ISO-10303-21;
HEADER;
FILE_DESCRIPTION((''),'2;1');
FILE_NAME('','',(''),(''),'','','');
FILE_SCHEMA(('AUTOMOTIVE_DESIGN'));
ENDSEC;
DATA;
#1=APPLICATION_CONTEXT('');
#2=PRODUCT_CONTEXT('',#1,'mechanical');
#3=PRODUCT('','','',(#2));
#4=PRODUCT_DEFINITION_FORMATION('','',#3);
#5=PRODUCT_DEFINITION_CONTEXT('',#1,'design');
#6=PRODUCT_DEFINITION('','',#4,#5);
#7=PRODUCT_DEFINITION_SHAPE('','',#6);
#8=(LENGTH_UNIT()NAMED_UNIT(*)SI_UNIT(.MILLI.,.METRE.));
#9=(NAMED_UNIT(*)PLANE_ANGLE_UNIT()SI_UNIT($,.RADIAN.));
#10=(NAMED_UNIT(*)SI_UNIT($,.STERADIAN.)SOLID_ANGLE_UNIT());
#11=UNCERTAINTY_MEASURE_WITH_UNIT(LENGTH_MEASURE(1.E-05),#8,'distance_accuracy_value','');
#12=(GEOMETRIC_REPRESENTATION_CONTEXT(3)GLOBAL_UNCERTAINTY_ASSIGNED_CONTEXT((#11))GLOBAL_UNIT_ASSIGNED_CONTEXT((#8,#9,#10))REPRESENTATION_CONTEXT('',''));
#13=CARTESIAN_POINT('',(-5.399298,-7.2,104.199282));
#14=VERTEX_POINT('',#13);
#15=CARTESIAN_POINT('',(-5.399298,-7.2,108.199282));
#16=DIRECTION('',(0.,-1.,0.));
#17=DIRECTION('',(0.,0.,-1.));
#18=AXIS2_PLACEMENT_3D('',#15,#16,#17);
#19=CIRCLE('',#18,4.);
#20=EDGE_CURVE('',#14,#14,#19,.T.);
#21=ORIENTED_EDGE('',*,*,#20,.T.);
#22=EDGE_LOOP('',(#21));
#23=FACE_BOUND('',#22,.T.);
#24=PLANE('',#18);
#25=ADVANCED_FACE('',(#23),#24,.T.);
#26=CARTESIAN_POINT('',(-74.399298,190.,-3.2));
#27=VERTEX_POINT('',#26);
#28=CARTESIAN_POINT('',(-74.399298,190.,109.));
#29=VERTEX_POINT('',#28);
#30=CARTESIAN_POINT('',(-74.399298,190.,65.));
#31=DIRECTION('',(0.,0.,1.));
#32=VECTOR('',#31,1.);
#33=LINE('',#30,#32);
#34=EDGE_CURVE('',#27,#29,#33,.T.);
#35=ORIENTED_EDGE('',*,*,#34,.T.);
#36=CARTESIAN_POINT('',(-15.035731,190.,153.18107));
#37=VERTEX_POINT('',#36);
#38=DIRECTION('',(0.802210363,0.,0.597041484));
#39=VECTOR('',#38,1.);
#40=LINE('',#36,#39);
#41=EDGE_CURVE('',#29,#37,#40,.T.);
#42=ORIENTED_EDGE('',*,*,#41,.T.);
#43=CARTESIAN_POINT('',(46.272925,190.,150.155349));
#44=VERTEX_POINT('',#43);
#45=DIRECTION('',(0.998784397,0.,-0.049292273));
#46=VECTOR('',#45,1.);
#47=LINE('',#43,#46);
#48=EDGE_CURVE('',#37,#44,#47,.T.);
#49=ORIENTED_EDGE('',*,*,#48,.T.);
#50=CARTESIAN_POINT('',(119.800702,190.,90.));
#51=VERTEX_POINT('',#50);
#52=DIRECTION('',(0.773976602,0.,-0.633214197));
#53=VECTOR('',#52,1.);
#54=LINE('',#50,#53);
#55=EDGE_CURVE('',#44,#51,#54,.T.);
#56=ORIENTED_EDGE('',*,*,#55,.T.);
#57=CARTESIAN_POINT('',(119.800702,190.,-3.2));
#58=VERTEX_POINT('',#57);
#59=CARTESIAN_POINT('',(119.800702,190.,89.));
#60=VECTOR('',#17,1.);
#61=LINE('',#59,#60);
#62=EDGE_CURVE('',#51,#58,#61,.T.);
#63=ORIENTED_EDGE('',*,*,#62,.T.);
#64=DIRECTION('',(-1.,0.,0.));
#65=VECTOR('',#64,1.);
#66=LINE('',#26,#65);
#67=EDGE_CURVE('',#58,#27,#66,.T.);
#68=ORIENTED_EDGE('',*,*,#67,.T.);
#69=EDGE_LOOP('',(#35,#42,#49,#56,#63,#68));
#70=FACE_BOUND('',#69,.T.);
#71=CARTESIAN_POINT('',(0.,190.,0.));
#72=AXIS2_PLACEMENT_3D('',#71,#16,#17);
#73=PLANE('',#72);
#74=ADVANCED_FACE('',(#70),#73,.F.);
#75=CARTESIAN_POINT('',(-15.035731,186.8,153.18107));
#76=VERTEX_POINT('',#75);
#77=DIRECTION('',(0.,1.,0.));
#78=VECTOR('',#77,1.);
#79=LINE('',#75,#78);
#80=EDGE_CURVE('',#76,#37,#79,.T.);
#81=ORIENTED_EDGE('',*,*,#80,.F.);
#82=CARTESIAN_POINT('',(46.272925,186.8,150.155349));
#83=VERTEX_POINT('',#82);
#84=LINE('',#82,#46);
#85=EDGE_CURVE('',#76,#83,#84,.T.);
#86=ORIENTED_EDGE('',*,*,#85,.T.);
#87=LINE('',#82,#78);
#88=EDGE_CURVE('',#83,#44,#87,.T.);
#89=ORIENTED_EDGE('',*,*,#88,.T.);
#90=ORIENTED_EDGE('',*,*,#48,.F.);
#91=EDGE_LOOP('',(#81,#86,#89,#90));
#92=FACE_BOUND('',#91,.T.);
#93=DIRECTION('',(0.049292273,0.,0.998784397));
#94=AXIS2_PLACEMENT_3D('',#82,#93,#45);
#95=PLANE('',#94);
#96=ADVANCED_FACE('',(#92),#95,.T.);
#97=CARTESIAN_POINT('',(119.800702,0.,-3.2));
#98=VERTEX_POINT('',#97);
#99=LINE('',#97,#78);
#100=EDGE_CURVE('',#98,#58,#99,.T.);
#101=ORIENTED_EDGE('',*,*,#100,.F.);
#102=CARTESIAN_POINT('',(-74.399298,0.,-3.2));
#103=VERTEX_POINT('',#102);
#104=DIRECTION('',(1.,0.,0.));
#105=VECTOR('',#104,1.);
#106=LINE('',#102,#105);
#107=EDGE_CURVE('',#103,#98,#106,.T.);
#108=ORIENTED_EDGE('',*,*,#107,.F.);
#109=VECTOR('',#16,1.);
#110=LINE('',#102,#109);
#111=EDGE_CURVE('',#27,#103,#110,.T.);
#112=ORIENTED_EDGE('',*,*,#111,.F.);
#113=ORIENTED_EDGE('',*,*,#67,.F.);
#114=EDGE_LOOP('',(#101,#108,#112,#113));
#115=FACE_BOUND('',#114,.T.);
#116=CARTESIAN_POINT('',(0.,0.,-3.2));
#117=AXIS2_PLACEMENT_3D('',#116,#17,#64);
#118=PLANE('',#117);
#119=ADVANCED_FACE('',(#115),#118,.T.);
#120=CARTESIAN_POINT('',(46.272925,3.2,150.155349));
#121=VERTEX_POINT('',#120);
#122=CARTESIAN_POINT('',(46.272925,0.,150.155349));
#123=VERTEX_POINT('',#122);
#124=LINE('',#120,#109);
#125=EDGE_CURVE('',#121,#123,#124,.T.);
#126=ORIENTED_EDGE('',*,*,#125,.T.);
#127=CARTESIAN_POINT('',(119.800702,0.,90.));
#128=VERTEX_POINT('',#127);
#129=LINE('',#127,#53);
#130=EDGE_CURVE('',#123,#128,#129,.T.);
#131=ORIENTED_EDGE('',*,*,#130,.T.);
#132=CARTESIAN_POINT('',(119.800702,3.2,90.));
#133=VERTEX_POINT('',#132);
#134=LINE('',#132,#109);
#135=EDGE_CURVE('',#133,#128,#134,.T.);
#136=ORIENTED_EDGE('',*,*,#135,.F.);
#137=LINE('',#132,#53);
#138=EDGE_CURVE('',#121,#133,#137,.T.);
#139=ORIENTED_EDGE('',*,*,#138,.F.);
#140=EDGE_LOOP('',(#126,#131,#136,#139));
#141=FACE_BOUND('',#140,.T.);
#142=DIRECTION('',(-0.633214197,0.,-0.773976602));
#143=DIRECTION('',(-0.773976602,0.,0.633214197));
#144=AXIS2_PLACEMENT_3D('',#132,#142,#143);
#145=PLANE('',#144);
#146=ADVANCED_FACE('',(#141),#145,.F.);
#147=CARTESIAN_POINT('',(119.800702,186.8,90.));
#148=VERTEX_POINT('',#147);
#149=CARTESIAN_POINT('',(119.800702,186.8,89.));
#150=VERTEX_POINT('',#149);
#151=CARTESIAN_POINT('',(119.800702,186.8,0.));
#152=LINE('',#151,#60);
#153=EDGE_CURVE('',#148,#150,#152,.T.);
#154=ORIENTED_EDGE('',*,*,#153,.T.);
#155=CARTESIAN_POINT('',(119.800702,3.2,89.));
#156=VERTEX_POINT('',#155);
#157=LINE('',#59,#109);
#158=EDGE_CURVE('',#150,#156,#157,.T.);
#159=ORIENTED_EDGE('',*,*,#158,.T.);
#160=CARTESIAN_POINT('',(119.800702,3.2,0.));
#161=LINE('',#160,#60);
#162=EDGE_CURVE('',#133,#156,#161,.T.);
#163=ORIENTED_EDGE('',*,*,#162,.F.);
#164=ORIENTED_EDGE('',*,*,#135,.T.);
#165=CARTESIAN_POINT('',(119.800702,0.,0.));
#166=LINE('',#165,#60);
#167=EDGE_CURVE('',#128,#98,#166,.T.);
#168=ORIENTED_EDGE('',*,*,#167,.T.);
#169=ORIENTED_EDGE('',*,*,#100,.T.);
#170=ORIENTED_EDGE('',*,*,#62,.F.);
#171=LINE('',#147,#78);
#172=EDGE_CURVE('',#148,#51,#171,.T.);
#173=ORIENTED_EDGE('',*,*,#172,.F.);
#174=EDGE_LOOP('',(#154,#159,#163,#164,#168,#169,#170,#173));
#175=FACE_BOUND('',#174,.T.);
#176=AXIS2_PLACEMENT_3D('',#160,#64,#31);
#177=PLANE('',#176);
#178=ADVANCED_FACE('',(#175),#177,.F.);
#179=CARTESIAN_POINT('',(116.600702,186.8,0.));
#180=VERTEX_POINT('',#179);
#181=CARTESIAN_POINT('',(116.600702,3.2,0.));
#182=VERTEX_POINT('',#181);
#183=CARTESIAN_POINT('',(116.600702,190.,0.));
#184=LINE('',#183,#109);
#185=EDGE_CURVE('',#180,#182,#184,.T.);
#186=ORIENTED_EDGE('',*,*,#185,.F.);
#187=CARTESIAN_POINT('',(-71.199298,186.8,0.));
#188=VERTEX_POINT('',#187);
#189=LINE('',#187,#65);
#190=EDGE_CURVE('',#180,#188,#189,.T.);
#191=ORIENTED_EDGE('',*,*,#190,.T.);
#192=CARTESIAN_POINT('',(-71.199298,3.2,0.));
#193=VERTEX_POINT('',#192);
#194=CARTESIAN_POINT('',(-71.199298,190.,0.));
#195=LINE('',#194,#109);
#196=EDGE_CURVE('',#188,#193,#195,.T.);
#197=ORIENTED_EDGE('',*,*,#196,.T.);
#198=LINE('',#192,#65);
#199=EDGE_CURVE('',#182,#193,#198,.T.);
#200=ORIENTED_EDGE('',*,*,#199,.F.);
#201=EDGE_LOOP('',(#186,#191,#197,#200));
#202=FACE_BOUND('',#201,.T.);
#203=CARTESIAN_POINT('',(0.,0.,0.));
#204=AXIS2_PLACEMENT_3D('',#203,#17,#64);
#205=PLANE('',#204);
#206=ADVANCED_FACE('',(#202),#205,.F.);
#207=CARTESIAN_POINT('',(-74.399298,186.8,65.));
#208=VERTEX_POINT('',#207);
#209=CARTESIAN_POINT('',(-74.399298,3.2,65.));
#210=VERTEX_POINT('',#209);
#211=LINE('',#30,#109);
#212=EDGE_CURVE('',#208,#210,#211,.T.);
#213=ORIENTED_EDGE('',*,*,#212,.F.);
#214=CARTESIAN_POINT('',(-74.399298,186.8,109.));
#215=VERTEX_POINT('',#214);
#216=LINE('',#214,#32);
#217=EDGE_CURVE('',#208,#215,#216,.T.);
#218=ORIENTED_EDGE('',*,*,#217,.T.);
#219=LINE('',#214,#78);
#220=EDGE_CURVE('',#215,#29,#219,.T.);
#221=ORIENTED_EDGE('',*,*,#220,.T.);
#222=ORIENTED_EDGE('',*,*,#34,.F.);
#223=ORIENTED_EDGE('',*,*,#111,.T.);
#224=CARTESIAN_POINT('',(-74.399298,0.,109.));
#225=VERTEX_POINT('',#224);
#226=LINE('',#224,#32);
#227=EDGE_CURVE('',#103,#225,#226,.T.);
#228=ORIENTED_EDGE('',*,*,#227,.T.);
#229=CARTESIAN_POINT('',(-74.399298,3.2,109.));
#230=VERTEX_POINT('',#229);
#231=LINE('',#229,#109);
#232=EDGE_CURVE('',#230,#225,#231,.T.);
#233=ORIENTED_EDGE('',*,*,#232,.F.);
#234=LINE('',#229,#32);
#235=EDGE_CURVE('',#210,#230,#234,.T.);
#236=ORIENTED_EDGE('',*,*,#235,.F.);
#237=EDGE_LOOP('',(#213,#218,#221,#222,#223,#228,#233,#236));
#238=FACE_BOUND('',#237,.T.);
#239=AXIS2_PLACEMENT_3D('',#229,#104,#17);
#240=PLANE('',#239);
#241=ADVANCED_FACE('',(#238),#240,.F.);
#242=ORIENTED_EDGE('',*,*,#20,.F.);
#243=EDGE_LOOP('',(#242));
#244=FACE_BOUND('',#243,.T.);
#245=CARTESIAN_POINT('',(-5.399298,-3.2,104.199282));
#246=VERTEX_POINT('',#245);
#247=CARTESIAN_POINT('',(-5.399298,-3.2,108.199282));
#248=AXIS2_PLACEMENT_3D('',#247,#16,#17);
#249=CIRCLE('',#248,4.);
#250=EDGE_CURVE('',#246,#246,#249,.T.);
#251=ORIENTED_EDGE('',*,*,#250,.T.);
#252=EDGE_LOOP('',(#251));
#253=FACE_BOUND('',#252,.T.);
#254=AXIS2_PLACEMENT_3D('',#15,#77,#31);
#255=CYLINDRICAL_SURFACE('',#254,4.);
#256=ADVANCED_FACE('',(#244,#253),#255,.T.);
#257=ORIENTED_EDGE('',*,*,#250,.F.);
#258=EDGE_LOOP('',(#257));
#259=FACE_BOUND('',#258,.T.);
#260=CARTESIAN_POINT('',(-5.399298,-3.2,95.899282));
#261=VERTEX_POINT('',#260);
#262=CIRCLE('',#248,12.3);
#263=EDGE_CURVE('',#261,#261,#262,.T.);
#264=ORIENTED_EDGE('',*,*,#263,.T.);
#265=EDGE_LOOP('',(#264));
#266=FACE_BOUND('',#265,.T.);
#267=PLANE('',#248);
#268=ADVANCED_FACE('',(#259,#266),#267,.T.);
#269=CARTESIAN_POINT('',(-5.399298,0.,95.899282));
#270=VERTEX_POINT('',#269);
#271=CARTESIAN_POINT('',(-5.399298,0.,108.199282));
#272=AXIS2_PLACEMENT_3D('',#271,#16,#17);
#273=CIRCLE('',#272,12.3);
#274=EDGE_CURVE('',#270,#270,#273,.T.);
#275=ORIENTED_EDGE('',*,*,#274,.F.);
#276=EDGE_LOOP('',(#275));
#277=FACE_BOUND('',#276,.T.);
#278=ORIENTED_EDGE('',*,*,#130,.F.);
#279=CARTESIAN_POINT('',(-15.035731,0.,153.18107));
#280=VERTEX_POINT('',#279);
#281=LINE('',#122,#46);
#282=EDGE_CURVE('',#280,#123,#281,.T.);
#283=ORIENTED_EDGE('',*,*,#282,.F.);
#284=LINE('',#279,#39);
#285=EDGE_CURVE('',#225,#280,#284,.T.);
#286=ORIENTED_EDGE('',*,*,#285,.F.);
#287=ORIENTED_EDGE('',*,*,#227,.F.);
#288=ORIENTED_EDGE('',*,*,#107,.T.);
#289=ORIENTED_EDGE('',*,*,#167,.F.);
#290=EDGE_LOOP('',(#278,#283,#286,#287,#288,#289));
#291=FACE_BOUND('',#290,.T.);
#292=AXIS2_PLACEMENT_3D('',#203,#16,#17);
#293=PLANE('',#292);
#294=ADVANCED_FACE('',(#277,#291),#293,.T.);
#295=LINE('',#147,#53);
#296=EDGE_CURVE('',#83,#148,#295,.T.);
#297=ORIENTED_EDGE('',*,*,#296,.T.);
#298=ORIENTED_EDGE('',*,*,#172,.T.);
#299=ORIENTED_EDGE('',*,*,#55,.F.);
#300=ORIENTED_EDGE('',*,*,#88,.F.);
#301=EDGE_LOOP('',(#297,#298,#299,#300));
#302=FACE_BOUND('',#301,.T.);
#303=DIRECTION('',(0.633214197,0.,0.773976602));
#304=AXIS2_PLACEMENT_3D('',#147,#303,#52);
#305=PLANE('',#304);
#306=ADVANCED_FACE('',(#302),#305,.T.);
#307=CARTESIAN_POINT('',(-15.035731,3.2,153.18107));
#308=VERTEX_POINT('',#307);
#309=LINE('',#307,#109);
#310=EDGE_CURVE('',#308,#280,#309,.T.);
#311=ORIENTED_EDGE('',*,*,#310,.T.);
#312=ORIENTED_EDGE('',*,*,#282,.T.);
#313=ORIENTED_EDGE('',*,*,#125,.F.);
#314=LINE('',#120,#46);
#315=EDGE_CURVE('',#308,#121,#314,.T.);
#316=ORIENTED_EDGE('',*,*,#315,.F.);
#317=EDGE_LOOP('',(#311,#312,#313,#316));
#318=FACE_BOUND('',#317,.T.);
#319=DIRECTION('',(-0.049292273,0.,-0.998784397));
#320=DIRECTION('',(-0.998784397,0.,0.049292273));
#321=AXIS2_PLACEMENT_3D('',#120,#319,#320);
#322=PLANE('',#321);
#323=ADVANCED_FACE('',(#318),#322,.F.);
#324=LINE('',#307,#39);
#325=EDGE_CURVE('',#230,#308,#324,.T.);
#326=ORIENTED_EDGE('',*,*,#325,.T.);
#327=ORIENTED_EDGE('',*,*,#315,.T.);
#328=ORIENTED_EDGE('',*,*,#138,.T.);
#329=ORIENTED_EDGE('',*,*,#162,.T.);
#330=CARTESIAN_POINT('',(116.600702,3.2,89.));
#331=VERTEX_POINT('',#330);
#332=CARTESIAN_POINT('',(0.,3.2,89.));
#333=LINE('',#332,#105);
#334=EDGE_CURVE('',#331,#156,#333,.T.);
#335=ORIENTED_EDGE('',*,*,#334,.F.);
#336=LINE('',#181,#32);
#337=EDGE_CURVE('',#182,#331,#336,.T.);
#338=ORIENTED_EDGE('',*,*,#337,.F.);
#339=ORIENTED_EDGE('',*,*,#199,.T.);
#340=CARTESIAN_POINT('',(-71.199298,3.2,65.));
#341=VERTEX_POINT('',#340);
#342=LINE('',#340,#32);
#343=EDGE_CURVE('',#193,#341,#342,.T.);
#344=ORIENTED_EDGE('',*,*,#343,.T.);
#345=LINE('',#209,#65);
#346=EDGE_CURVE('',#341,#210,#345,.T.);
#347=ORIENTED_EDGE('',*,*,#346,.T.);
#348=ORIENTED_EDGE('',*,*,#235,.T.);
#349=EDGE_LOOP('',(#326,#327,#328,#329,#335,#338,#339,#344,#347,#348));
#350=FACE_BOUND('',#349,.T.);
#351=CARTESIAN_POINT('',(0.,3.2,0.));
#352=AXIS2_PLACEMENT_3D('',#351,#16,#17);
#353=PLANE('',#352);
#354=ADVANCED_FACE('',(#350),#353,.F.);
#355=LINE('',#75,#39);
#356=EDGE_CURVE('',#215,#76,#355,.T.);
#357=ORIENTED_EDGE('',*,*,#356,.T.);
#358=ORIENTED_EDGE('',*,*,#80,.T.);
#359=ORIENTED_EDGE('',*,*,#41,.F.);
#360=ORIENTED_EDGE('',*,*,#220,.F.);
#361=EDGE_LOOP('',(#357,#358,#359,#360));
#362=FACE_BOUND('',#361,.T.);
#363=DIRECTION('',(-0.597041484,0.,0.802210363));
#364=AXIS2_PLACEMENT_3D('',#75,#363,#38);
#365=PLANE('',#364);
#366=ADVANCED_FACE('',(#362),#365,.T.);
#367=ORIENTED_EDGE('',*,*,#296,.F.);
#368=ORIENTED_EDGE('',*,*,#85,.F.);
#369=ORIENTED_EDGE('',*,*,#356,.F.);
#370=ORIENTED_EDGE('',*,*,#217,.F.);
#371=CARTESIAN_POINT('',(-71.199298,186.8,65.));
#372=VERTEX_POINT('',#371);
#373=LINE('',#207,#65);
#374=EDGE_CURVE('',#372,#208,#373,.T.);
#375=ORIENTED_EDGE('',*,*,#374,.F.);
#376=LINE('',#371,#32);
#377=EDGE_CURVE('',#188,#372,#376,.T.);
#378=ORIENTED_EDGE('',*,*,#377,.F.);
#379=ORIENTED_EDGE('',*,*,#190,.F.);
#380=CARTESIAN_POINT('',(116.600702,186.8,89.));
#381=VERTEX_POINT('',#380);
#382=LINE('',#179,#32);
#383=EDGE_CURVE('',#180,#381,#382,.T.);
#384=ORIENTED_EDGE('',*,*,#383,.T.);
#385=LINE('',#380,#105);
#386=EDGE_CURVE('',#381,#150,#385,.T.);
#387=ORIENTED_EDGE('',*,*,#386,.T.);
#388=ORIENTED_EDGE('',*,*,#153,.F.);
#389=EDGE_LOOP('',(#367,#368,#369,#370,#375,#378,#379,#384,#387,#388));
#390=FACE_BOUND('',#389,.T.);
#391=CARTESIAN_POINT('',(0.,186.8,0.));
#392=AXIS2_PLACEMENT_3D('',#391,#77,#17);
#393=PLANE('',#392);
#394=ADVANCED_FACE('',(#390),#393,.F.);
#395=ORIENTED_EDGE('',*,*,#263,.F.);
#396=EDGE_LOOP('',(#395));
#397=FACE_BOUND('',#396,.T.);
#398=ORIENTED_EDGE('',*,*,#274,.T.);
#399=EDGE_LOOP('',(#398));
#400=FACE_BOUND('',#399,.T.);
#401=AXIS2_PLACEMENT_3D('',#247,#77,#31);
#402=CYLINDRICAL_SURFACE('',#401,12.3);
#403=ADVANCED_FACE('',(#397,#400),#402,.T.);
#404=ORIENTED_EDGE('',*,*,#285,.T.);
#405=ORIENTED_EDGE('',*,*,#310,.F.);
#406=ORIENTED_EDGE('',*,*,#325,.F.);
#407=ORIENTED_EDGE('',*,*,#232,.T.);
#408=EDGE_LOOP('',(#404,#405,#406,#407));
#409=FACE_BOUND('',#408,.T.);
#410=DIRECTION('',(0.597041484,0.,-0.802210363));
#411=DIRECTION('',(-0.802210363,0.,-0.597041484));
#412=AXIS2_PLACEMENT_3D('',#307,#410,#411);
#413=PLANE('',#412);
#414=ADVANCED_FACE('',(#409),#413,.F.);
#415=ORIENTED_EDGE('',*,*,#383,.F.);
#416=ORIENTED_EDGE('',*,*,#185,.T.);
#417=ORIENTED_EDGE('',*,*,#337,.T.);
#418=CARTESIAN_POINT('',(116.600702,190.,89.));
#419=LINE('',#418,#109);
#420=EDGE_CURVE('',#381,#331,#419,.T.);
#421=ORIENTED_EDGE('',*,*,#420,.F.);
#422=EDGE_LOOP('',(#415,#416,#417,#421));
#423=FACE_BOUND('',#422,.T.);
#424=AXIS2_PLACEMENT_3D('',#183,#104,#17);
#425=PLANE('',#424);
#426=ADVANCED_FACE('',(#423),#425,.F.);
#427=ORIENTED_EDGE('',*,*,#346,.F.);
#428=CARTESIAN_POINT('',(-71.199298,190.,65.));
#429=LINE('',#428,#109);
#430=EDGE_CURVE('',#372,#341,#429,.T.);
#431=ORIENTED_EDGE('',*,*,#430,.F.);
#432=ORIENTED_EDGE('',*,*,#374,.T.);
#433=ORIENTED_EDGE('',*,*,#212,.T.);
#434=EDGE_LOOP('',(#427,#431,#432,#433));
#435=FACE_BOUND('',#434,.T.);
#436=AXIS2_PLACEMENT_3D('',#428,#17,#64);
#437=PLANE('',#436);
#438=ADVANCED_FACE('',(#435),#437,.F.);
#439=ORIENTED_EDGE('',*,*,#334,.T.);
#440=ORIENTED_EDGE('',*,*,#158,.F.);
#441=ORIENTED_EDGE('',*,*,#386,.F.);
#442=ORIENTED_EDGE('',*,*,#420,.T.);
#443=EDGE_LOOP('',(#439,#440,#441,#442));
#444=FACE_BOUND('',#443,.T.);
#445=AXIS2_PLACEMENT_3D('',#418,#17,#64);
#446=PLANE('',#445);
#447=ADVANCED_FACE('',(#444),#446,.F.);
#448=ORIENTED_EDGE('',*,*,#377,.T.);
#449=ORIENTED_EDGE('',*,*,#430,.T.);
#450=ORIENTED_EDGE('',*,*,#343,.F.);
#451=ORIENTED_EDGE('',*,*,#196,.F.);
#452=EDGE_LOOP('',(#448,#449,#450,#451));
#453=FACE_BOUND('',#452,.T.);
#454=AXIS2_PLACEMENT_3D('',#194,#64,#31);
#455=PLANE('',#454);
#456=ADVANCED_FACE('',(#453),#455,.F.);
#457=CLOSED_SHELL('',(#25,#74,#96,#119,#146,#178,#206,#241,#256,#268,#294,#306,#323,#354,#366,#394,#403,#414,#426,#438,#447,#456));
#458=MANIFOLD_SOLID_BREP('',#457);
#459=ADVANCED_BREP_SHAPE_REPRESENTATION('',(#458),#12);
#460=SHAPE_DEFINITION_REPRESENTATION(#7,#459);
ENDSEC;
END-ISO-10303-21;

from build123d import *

# Parameters (mm, degrees)
BOSS_EXTRUDE1_DEPTH = 3.2
SKETCH3_R           = 12.3
BOSS_EXTRUDE2_DEPTH = 3.2
SKETCH4_R           = 4
BOSS_EXTRUDE3_DEPTH = 4
SKETCH6_W           = 3.2
SKETCH6_H           = 65
BOSS_EXTRUDE4_DEPTH = 190
SKETCH8_W           = 3.2
SKETCH8_H           = 89
BOSS_EXTRUDE5_DEPTH = 190
SKETCH9_W           = 194.2
SKETCH9_H           = 190
BOSS_EXTRUDE7_DEPTH = 3.2


with BuildPart() as part:
    # Sketch1 → Boss-Extrude1 (new body)
    with BuildSketch(Plane(origin=(0, 0, 0), x_dir=(1, 0, 0), z_dir=(0, 1, 0))):
        Polygon((-71.199297972, 0), (119.800702028, 0), (119.800702028, -90), (46.272924854, -150.155348756), (-15.035731115, -153.181069815), (-74.399297972, -109), (-74.399297972, -65), (-71.199297972, -65), align=None)
    boss_extrude1 = extrude(amount=BOSS_EXTRUDE1_DEPTH)

    # Sketch3 → Boss-Extrude2 (add)
    with BuildSketch(Plane.XZ):
        with Locations(Location((-5.399297972, 108.199281837, 0), (0, 0, 270))):
            Circle(SKETCH3_R)
    extrude(amount=BOSS_EXTRUDE2_DEPTH)

    # Sketch4 → Boss-Extrude3 (add)
    with BuildSketch(Plane.XZ.offset(3.2)):
        with Locations(Location((-5.399297972, 108.199281837, 0), (0, 0, 270))):
            Circle(SKETCH4_R)
    extrude(amount=BOSS_EXTRUDE3_DEPTH)

    # Sketch6 → Boss-Extrude4 (add)
    with BuildSketch(Plane(origin=(0, 0, 0), x_dir=(1, 0, 0), z_dir=(0, 1, 0))):
        with Locations((-72.799297972, -32.5)):
            Rectangle(SKETCH6_W, SKETCH6_H)
    extrude(amount=BOSS_EXTRUDE4_DEPTH)

    # Sketch8 → Boss-Extrude5 (add)
    with BuildSketch(Plane(origin=(0, 0, 0), x_dir=(1, 0, 0), z_dir=(0, 1, 0))):
        with Locations((118.200702028, -44.5)):
            Rectangle(SKETCH8_W, SKETCH8_H)
    extrude(amount=BOSS_EXTRUDE5_DEPTH)

    # Mirror1: Boss-Extrude1 across plane
    add(boss_extrude1.mirror(Plane(origin=(0, 95, 0), x_dir=(0, 0, 1), z_dir=(0, -1, 0))))

    # Sketch9 → Boss-Extrude7 (add)
    with BuildSketch(Plane.XY):
        with Locations((22.700702028, 95)):
            Rectangle(SKETCH9_W, SKETCH9_H)
    extrude(amount=-BOSS_EXTRUDE7_DEPTH)


solid = part.part
